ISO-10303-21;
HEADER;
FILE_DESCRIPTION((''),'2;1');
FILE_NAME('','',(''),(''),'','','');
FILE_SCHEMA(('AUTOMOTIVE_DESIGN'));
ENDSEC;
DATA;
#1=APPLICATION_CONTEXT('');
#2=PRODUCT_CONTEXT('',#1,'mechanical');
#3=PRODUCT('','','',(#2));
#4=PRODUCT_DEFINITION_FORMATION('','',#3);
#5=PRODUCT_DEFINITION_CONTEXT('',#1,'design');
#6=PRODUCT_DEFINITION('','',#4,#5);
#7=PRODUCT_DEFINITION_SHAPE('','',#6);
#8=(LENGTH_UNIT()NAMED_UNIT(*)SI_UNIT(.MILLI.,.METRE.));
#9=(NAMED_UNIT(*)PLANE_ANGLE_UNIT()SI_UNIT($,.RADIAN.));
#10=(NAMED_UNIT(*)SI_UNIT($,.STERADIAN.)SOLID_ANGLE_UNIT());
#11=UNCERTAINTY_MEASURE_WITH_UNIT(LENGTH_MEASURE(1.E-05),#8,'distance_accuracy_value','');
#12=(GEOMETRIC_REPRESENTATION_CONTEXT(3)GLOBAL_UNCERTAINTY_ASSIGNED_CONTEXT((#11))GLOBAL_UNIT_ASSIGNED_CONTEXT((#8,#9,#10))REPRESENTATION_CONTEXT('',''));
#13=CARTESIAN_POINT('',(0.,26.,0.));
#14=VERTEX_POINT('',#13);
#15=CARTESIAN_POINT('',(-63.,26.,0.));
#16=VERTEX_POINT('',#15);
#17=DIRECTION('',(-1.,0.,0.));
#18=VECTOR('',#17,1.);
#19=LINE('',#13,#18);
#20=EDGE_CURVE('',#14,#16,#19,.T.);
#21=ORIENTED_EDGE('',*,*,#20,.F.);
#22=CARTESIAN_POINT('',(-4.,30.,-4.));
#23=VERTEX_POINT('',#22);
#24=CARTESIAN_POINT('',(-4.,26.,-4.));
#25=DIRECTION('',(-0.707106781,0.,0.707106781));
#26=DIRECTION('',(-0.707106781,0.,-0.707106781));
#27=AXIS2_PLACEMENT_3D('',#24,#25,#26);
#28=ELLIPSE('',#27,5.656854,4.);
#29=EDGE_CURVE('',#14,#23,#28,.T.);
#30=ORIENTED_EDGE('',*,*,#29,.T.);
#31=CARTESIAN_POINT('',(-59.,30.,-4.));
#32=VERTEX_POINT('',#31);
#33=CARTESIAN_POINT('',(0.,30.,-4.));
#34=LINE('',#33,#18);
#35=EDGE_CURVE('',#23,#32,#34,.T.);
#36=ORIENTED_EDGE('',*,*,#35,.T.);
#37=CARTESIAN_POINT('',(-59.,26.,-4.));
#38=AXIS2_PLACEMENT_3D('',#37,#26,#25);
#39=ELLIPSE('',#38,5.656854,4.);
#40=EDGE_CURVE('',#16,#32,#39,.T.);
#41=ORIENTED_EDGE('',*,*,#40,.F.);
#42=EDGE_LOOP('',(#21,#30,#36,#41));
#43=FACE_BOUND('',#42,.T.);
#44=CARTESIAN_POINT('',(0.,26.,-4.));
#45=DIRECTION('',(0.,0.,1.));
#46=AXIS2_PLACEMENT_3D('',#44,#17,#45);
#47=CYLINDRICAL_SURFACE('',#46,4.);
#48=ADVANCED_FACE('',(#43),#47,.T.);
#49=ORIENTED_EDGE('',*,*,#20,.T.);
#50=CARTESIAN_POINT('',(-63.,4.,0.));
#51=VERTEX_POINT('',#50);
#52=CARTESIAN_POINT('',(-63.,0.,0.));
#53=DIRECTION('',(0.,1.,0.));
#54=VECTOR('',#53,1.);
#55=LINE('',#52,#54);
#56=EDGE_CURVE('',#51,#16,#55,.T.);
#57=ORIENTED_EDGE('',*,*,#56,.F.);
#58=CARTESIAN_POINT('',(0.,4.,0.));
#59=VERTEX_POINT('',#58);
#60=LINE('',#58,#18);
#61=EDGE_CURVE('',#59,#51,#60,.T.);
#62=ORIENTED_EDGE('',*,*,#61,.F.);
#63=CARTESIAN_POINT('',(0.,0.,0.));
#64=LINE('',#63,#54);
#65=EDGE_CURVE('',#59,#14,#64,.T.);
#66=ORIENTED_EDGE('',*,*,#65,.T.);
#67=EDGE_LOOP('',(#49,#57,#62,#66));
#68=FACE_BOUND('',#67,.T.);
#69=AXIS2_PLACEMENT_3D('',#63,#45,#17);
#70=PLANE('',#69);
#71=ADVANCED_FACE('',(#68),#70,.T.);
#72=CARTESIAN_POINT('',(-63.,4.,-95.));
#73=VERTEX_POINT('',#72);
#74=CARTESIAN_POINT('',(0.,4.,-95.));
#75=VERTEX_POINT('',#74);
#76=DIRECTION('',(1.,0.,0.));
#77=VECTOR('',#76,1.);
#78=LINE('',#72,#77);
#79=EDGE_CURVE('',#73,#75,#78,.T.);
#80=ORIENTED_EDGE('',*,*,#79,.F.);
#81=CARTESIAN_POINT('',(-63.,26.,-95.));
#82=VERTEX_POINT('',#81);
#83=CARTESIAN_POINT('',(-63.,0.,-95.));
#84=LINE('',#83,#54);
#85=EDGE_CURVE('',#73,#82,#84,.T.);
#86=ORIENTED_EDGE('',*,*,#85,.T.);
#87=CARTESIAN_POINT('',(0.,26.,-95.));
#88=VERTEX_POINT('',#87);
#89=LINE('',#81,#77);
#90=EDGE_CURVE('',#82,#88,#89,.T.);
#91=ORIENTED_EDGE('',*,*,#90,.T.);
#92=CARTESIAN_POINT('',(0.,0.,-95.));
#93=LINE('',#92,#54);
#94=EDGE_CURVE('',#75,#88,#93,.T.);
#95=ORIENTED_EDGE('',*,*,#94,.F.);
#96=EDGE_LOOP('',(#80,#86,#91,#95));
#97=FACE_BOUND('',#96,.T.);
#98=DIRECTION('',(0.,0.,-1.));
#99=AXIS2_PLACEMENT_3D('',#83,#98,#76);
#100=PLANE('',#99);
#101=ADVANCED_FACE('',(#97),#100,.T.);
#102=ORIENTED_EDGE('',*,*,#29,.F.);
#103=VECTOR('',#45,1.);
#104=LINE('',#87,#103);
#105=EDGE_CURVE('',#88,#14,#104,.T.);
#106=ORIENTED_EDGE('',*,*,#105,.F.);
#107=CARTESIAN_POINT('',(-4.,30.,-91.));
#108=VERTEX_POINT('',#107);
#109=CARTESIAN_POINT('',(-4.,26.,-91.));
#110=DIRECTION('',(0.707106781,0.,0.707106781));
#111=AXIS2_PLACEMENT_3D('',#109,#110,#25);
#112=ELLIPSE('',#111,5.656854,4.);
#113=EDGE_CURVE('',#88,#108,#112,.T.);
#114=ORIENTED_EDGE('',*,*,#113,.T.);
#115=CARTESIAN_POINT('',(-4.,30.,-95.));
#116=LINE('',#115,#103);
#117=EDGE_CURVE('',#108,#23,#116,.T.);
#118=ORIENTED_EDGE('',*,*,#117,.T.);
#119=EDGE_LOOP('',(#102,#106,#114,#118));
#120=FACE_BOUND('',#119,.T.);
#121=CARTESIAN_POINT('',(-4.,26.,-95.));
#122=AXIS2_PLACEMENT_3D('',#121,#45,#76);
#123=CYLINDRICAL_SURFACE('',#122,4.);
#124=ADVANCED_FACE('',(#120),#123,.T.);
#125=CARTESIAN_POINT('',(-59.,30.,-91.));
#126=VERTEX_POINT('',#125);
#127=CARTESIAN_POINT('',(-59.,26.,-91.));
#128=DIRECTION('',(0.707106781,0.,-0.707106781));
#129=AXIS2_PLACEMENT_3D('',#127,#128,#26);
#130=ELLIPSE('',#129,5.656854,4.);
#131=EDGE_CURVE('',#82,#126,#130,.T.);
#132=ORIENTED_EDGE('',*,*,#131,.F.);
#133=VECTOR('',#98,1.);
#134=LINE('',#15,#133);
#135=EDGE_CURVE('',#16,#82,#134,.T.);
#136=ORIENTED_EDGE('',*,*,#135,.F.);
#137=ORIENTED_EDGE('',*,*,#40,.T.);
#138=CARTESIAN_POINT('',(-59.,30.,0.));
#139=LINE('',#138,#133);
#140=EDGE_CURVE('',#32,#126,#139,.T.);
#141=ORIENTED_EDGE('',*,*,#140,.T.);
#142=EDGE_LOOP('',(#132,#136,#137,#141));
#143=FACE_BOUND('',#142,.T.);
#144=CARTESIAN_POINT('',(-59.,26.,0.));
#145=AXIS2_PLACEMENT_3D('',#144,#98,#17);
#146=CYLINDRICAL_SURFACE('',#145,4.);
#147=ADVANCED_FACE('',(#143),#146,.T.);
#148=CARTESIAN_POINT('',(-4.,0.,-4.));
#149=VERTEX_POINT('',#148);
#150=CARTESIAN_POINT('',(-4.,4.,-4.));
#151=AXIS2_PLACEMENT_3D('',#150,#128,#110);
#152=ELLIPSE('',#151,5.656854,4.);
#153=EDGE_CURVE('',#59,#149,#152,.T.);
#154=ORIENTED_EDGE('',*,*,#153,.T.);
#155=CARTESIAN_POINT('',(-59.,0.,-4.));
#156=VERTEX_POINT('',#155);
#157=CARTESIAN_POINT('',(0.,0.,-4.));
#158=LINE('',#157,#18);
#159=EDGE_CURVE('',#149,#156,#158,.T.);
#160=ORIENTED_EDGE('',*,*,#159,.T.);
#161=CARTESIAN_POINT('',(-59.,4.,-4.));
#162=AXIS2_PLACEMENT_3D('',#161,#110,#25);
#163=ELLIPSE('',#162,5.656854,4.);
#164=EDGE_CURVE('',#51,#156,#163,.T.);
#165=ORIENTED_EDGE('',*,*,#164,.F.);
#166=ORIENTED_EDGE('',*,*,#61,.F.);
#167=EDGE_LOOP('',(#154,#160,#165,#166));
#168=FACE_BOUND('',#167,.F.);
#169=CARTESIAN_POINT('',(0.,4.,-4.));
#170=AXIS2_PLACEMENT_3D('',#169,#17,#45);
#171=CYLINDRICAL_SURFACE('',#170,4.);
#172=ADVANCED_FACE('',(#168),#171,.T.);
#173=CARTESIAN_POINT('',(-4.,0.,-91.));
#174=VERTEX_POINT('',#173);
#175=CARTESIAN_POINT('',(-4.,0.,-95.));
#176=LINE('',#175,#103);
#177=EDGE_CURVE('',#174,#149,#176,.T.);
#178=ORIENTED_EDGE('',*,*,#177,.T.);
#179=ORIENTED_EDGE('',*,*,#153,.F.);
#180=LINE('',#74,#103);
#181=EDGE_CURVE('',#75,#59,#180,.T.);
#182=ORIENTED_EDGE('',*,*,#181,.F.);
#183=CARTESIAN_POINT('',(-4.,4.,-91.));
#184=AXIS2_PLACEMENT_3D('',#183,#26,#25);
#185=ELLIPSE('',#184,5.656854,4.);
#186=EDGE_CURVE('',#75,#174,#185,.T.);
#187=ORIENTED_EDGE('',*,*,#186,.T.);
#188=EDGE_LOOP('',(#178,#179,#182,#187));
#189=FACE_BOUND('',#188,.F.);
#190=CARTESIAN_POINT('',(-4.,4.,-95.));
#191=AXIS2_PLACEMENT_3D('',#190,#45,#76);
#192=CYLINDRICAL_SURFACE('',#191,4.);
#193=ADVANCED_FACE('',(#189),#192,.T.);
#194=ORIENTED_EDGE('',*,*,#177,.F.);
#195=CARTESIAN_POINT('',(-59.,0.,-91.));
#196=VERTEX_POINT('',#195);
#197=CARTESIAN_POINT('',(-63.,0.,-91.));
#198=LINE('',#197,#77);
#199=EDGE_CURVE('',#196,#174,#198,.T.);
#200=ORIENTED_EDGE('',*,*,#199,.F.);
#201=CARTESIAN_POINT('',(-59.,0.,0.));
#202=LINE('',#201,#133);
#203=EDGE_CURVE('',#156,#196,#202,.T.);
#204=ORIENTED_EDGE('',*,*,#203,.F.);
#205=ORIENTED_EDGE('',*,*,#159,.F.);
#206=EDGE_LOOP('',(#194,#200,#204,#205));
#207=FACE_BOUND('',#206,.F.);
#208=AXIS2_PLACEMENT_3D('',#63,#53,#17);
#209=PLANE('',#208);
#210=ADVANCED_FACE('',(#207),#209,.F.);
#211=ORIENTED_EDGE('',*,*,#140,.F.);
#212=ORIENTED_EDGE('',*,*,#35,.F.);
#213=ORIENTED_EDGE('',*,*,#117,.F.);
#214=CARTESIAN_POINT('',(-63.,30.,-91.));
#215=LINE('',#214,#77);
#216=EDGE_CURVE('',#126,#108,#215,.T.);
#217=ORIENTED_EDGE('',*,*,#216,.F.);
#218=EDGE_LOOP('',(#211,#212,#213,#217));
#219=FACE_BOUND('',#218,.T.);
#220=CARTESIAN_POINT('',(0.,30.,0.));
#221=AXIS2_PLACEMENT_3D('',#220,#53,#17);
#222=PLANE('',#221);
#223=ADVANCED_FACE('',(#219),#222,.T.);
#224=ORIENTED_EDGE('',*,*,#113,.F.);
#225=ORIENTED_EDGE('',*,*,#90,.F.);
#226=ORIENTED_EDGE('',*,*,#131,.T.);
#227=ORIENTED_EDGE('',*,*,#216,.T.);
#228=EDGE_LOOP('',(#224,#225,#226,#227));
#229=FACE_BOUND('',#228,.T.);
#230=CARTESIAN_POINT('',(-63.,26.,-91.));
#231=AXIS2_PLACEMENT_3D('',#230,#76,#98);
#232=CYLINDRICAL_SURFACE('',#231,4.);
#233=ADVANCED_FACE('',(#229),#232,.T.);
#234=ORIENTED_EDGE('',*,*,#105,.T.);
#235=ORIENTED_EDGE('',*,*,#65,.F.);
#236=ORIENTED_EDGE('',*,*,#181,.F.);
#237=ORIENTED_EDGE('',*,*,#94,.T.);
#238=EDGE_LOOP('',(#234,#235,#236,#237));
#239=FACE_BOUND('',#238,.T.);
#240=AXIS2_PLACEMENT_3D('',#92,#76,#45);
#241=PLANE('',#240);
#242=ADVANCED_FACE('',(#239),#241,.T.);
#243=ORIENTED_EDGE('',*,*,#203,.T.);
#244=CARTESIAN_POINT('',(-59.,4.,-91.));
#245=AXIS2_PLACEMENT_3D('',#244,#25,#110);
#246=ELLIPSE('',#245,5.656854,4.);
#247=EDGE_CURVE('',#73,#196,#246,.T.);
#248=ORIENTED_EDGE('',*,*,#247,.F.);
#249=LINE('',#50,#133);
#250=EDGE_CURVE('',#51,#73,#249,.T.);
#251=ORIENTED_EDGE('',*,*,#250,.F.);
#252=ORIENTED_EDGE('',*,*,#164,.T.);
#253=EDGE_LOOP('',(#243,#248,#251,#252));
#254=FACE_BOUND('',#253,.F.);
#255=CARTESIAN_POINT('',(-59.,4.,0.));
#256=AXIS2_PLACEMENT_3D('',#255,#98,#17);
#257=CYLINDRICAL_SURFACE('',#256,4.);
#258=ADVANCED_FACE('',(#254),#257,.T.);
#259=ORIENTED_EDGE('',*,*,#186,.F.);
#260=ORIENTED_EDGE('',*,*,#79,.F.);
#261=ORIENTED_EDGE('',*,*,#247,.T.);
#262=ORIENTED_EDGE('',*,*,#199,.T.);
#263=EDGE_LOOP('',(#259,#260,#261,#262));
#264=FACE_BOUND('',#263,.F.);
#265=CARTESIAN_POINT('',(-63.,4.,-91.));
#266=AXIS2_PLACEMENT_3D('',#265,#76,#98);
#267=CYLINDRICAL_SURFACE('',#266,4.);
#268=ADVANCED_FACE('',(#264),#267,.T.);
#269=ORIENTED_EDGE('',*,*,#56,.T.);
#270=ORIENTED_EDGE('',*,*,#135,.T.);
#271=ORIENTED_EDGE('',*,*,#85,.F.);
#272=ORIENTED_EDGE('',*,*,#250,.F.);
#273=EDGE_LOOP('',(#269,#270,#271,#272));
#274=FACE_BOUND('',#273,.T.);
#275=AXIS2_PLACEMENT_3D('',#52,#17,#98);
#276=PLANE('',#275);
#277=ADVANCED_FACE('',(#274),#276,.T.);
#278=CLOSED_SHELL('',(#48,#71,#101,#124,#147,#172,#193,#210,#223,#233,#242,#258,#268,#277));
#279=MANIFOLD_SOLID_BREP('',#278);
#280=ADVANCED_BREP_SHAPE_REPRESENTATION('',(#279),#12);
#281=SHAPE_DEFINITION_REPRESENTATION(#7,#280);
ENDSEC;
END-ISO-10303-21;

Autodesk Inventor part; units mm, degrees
ref_plane "YZ Plane" through (0, 0, 0) normal (1, 0, 0) x (0, 1, 0)
ref_plane "XZ Plane" through (0, 0, 0) normal (0, 1, 0) x (-1, 0, 0)
ref_plane "XY Plane" through (0, 0, 0) normal (0, 0, 1) x (1, 0, 0)
sketch "Sketch1" plane through (0, 0, 0) normal (0, 1, 0) x (-1, 0, 0)
  point P0 (0, 0)
sketch "Sketch2" plane through (0, 0, 0) normal (0, 1, 0) x (-1, 0, 0)
  point P0 (0, 0)
sketch "Sketch3" plane through (0, 0, 0) normal (0, 1, 0) x (-1, 0, 0)
  line L0 (0, 0) -> (63, 0)
  line L1 (63, 0) -> (63, -95)
  line L2 (63, -95) -> (0, -95)
  line L3 (0, -95) -> (0, 0)
  dimension "d0" = 63
  dimension "d1" = 95
extrude "Extrusion1" add sketch "Sketch3" along normal blind 30
fillet "Fillet1" radius 4 8 edges at (-31.5, 30, 0) (0, 30, -47.5) (-63, 30, -47.5) (-31.5, 30, -95) (0, 0, -47.5) (-31.5, 0, 0) (-31.5, 0, -95) (-63, 0, -47.5)
properties part number "pi"
